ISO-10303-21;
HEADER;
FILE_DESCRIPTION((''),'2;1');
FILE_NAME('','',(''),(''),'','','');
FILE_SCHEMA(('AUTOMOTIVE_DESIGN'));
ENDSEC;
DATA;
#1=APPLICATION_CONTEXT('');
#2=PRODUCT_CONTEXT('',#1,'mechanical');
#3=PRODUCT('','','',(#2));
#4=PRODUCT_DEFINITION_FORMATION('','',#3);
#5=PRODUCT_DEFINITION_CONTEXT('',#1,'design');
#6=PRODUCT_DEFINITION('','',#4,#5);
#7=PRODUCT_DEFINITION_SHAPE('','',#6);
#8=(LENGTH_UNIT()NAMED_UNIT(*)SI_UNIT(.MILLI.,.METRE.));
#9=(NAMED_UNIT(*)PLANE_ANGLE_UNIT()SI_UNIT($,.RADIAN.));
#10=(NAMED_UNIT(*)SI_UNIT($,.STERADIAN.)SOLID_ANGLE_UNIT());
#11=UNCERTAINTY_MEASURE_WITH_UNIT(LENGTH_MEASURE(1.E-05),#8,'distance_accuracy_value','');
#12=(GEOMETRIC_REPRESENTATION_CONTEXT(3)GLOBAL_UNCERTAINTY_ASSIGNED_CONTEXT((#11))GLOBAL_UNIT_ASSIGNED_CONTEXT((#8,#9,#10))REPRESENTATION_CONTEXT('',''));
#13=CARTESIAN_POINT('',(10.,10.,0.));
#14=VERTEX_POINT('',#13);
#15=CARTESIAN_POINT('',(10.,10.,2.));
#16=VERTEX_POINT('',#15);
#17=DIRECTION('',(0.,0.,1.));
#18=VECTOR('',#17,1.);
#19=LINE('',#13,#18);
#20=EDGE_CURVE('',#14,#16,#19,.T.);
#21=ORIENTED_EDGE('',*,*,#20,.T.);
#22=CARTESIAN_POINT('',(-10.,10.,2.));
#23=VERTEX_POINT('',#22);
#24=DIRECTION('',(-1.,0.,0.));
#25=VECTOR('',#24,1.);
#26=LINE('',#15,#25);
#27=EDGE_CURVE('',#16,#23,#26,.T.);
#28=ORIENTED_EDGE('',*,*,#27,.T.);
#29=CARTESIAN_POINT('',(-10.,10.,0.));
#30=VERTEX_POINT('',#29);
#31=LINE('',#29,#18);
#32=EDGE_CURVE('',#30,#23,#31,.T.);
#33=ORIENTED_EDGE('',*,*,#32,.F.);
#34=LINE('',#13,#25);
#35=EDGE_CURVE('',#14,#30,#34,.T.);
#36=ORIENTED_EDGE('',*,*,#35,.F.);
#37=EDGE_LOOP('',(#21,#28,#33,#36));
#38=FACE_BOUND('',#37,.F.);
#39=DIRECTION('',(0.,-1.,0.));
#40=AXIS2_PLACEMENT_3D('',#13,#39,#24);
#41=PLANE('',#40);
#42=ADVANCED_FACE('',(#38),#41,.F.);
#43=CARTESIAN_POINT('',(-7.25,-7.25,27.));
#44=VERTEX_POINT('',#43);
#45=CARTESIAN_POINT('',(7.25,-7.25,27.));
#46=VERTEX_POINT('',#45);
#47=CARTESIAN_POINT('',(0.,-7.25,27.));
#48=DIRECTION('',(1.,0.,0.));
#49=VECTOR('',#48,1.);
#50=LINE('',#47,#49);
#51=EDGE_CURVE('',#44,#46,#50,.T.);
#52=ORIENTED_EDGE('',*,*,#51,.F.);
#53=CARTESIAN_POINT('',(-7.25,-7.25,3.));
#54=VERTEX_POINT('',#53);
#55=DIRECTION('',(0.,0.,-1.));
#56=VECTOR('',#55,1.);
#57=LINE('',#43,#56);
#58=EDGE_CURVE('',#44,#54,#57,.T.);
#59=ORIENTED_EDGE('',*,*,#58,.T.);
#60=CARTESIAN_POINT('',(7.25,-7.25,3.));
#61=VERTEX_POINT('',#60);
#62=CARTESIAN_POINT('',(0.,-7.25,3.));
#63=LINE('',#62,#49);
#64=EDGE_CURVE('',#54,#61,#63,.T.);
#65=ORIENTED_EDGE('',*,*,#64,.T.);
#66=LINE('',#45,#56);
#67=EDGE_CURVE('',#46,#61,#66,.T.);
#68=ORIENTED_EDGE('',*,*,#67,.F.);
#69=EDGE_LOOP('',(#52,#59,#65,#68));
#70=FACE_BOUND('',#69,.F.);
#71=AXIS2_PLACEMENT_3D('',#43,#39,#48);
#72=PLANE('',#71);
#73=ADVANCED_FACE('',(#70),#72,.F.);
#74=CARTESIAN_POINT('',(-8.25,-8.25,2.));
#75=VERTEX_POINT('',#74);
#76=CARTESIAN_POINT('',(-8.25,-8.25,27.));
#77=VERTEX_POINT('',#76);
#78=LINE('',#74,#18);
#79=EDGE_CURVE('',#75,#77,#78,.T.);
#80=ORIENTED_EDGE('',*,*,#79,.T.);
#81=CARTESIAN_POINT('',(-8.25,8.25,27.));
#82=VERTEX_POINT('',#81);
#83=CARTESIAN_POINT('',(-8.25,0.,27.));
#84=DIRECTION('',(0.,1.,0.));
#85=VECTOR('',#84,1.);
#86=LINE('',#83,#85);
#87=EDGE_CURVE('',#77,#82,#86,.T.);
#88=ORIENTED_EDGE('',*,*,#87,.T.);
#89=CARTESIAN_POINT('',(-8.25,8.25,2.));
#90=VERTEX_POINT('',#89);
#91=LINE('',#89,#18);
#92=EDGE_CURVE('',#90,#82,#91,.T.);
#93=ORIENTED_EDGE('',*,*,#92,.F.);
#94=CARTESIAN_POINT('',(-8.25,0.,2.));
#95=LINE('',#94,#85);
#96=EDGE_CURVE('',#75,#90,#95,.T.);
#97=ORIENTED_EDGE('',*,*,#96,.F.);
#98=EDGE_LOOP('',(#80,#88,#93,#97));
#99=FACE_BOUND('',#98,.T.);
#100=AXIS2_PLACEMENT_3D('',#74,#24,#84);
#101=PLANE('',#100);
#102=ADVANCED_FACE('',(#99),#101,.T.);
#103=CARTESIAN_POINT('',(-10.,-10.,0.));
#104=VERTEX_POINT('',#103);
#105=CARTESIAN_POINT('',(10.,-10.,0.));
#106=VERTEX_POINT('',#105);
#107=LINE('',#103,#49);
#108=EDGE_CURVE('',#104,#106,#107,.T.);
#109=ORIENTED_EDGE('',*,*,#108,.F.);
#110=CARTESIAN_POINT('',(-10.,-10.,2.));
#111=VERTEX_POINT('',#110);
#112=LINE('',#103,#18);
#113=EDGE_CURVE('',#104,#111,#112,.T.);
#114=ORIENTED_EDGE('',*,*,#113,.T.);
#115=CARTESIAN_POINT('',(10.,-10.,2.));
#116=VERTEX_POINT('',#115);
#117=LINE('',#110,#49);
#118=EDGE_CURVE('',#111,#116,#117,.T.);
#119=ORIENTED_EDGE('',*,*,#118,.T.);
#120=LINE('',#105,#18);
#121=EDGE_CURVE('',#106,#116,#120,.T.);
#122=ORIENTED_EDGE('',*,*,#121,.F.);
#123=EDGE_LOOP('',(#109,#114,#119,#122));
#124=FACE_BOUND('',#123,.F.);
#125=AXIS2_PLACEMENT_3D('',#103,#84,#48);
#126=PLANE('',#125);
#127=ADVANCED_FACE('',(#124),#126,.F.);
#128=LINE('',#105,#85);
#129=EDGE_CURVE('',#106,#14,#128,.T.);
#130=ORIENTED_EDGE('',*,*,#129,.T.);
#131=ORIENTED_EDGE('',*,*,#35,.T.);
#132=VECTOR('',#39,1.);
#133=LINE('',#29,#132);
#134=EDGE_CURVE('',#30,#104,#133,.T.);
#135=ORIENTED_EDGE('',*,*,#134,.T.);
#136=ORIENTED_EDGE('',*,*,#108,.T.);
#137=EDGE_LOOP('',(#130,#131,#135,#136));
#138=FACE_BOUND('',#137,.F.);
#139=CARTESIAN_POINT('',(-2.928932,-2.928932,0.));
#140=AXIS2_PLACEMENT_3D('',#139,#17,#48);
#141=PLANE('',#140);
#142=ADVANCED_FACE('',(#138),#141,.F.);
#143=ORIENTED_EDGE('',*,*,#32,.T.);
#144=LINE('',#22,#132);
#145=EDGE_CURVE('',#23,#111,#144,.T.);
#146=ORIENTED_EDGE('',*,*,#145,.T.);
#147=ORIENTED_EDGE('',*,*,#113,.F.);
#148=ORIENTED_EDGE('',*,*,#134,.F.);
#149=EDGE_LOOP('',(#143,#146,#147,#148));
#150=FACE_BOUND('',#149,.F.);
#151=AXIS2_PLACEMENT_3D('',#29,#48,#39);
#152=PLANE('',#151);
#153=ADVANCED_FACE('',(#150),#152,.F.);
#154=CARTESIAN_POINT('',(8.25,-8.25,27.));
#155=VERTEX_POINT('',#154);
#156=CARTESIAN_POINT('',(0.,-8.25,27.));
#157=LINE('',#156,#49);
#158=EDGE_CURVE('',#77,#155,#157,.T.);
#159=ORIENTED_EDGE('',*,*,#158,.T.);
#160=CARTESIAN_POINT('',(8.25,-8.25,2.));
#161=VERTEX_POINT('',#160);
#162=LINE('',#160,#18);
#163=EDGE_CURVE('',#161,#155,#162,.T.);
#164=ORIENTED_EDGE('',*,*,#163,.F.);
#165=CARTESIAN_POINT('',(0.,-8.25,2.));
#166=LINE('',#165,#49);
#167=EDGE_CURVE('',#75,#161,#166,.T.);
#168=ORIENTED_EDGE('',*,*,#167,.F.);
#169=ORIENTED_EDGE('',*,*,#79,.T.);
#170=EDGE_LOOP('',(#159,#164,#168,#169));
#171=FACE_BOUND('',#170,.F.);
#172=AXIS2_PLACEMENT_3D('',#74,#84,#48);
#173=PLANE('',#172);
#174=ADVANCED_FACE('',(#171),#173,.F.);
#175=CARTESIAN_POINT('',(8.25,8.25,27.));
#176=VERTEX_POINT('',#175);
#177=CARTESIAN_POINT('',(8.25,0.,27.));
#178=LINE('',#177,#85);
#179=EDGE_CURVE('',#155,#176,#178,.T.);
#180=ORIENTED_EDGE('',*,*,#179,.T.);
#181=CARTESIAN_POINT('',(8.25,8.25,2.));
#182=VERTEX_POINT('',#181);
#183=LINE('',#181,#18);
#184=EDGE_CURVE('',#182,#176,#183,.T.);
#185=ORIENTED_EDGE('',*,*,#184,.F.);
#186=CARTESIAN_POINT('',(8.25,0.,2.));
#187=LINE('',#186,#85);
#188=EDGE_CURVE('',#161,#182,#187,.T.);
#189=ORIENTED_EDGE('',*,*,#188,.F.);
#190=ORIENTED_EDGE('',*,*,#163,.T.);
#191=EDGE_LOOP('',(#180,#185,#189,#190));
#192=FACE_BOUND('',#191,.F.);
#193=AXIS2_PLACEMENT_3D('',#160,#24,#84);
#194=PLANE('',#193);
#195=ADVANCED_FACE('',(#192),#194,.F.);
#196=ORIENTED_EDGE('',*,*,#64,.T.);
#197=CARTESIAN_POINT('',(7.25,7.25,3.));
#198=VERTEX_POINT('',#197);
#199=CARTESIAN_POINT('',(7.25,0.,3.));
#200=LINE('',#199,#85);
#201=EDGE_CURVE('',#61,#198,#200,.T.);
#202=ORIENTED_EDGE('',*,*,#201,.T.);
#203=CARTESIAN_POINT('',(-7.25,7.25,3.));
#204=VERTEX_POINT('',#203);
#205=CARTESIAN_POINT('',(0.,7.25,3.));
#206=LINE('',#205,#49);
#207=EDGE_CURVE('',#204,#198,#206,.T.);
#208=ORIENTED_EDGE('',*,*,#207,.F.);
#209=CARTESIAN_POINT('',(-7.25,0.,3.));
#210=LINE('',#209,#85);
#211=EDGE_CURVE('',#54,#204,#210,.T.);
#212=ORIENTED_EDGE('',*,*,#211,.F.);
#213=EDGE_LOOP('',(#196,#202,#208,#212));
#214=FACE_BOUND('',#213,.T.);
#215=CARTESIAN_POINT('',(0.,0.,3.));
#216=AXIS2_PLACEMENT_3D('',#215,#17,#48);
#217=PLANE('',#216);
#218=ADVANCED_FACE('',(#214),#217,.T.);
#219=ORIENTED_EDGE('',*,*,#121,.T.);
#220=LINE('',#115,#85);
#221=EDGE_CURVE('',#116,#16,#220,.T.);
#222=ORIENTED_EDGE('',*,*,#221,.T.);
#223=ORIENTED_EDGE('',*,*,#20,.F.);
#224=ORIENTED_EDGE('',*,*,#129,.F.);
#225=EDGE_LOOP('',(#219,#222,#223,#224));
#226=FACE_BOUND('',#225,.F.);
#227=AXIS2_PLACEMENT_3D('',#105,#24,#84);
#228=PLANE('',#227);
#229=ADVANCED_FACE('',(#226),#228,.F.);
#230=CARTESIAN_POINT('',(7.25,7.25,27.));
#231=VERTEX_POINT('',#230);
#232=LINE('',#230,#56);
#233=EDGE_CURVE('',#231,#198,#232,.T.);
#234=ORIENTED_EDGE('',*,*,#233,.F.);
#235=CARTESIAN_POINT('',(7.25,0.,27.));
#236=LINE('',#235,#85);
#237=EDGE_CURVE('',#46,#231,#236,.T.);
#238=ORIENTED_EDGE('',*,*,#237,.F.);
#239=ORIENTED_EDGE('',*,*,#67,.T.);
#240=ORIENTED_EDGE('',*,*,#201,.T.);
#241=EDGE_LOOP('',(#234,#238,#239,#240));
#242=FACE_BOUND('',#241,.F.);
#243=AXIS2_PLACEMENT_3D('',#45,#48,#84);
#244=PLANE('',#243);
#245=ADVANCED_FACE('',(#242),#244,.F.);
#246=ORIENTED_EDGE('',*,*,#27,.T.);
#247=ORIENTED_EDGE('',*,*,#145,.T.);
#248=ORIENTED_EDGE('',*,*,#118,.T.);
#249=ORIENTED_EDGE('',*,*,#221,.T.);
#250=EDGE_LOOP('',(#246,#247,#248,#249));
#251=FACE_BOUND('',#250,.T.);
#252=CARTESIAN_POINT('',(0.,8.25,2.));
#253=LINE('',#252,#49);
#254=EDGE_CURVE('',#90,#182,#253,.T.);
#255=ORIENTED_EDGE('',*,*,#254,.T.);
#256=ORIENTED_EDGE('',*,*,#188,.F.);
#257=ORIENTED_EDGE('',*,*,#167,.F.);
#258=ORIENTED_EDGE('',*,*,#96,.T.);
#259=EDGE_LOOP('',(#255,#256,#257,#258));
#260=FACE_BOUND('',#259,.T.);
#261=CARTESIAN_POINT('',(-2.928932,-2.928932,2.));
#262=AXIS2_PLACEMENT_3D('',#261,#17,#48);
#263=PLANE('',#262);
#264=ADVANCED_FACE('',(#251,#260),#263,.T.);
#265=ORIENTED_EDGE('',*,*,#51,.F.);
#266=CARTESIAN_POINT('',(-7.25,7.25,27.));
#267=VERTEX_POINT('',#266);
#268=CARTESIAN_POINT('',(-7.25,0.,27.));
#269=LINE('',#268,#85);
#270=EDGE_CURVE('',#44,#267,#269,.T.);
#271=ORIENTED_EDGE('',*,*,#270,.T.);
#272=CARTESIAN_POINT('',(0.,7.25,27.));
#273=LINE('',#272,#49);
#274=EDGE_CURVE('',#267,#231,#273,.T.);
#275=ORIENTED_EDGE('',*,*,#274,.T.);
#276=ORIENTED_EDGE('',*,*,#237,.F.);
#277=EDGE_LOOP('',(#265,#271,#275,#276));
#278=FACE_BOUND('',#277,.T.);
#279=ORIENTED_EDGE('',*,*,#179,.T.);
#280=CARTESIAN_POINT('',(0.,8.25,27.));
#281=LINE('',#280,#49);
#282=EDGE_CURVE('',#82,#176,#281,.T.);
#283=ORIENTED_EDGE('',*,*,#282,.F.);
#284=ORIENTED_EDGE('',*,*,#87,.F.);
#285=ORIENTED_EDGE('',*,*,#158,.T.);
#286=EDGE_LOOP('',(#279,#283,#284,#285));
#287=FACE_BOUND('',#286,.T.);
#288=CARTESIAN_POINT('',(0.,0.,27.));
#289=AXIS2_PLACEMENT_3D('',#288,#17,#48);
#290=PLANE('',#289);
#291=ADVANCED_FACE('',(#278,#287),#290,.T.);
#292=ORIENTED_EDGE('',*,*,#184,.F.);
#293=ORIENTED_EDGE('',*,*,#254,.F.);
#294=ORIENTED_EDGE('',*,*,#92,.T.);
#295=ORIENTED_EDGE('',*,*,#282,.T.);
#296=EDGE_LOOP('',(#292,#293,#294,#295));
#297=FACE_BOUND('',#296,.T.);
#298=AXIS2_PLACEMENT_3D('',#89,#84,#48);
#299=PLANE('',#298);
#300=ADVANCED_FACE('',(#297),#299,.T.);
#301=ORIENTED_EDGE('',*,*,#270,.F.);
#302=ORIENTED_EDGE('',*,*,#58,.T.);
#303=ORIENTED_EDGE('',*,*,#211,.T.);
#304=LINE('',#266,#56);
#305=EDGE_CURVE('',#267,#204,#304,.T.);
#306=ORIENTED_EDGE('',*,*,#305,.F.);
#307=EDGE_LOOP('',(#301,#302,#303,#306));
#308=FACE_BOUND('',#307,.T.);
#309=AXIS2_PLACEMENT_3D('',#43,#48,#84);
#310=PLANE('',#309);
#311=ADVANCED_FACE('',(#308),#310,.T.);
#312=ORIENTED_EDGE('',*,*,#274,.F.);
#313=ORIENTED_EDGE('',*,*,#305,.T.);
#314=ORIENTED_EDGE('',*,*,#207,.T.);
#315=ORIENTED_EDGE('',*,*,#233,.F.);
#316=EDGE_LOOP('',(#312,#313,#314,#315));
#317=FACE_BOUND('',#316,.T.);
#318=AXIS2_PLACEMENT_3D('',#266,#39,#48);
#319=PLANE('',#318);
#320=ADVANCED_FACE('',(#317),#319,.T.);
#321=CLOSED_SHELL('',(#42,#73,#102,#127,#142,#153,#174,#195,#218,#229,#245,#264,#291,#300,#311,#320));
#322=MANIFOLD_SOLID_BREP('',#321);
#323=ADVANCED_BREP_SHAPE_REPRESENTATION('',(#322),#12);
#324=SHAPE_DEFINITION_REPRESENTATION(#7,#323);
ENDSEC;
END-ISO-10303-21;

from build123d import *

# Parameters (mm, degrees)
F1_DEPTH = 2
F2_W     = 16.5
F2_H     = 16.5
F3_DEPTH = 25
F4_W     = 14.5
F4_H     = 14.5
F5_DEPTH = 24


with BuildPart() as f1:
    # F0 (on Top) → F1 (new body)
    with BuildSketch(Plane.XY):
        Polygon((10, -10), (-10, 10), (-10, -10), align=None)
        Polygon((10, 10), (-10, 10), (10, -10), align=None)
    extrude(amount=F1_DEPTH)

    # F2 (on face) → F3 (join)
    with BuildSketch(Plane.XY.offset(2)):
        Rectangle(F2_W, F2_H)
    extrude(amount=F3_DEPTH)

    # F4 (on face) → F5 (cut)
    with BuildSketch(Plane.XY.offset(27)):
        Rectangle(F4_W, F4_H)
    extrude(amount=-F5_DEPTH, mode=Mode.SUBTRACT)


solid = f1.part
